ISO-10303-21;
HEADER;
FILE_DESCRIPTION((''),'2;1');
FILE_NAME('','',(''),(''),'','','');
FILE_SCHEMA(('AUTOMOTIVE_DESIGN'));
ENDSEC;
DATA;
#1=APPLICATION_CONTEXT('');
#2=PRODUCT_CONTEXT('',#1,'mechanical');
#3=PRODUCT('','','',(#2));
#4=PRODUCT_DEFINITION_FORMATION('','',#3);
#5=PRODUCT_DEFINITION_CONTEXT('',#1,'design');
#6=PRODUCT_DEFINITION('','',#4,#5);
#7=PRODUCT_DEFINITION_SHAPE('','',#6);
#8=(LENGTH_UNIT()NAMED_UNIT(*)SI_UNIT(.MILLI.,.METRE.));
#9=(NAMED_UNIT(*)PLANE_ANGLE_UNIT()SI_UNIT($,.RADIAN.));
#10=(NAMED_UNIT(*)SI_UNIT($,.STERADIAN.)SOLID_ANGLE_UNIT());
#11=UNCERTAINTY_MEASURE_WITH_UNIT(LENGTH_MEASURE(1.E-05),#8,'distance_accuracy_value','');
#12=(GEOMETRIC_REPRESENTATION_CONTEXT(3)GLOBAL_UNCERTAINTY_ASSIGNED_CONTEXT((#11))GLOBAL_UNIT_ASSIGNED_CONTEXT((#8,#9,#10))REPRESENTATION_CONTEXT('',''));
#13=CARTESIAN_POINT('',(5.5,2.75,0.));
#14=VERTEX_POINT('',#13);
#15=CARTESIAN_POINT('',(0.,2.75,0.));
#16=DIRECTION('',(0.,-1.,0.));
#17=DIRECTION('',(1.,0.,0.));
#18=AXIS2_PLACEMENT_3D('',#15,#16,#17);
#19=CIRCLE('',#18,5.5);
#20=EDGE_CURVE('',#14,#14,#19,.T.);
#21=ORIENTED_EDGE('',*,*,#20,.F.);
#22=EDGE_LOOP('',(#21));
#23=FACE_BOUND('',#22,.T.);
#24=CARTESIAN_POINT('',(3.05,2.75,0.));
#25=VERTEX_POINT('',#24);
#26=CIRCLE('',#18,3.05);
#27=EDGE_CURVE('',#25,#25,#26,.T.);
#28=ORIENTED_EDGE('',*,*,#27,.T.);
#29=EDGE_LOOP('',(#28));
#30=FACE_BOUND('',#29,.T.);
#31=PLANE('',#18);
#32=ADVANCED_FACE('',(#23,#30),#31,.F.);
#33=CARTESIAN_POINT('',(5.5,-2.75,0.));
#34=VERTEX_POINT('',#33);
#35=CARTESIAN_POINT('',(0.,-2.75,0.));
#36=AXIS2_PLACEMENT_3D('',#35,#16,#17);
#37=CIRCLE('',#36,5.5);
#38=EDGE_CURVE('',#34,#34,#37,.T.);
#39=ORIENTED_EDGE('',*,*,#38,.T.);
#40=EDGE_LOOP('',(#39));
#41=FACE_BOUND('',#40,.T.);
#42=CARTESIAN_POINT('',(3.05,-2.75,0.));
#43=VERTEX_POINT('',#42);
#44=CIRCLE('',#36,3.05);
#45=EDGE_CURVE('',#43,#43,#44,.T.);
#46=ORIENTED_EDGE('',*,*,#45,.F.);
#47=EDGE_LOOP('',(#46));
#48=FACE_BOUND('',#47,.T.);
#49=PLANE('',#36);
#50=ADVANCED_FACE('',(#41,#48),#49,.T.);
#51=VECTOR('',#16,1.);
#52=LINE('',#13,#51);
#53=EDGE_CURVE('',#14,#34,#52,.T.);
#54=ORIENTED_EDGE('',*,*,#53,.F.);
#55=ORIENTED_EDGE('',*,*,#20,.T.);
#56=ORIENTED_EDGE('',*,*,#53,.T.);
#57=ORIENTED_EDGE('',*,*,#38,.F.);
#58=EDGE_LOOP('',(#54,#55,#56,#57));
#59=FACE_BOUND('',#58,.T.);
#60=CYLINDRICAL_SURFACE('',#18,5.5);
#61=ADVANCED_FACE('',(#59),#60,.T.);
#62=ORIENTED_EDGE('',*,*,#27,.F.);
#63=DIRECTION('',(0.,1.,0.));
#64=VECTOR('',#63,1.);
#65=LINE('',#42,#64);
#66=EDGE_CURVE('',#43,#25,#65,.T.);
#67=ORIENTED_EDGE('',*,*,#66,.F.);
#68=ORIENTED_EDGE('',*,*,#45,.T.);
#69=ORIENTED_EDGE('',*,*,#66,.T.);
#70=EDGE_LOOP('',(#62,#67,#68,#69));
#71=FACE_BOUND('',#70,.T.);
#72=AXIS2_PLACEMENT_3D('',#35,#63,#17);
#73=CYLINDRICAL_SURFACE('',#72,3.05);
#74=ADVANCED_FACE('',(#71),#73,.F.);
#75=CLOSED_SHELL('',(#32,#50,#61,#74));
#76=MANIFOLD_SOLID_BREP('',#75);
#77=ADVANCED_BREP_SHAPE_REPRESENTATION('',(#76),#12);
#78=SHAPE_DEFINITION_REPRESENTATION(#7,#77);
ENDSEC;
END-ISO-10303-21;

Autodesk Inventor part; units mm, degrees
ref_plane "YZ Plane" through (0, 0, 0) normal (1, 0, 0) x (0, 1, 0)
ref_plane "XZ Plane" through (0, 0, 0) normal (0, 1, 0) x (-1, 0, 0)
ref_plane "XY Plane" through (0, 0, 0) normal (0, 0, 1) x (1, 0, 0)
sketch "スケッチ1" plane through (0, 0, 0) normal (0, 0, 1) x (1, 0, 0)
  line L0 (3.05, 2.75) -> (5.5, 2.75)
  line L1 (5.5, 2.75) -> (5.5, -2.75)
  line L2 (5.5, -2.75) -> (3.05, -2.75)
  line L3 (3.05, -2.75) -> (3.05, 2.75)
  line L4 (0, 12.2609) -> (0, -12.2609) construction
  point P0 (0, 0)
  point P1 (3.05, 0)
  point P2 (0, 0)
  dimension "d0" = 6.1
  dimension "d1" = 11
  dimension "d2" = 5.5
revolve "回転1" add sketch "スケッチ1" angle 360 about axis through (0, 12.2609, 0) along (0, -1, 0)
properties part number "膝_サブフレーム_6_4" material "アセタール樹脂、黒"
